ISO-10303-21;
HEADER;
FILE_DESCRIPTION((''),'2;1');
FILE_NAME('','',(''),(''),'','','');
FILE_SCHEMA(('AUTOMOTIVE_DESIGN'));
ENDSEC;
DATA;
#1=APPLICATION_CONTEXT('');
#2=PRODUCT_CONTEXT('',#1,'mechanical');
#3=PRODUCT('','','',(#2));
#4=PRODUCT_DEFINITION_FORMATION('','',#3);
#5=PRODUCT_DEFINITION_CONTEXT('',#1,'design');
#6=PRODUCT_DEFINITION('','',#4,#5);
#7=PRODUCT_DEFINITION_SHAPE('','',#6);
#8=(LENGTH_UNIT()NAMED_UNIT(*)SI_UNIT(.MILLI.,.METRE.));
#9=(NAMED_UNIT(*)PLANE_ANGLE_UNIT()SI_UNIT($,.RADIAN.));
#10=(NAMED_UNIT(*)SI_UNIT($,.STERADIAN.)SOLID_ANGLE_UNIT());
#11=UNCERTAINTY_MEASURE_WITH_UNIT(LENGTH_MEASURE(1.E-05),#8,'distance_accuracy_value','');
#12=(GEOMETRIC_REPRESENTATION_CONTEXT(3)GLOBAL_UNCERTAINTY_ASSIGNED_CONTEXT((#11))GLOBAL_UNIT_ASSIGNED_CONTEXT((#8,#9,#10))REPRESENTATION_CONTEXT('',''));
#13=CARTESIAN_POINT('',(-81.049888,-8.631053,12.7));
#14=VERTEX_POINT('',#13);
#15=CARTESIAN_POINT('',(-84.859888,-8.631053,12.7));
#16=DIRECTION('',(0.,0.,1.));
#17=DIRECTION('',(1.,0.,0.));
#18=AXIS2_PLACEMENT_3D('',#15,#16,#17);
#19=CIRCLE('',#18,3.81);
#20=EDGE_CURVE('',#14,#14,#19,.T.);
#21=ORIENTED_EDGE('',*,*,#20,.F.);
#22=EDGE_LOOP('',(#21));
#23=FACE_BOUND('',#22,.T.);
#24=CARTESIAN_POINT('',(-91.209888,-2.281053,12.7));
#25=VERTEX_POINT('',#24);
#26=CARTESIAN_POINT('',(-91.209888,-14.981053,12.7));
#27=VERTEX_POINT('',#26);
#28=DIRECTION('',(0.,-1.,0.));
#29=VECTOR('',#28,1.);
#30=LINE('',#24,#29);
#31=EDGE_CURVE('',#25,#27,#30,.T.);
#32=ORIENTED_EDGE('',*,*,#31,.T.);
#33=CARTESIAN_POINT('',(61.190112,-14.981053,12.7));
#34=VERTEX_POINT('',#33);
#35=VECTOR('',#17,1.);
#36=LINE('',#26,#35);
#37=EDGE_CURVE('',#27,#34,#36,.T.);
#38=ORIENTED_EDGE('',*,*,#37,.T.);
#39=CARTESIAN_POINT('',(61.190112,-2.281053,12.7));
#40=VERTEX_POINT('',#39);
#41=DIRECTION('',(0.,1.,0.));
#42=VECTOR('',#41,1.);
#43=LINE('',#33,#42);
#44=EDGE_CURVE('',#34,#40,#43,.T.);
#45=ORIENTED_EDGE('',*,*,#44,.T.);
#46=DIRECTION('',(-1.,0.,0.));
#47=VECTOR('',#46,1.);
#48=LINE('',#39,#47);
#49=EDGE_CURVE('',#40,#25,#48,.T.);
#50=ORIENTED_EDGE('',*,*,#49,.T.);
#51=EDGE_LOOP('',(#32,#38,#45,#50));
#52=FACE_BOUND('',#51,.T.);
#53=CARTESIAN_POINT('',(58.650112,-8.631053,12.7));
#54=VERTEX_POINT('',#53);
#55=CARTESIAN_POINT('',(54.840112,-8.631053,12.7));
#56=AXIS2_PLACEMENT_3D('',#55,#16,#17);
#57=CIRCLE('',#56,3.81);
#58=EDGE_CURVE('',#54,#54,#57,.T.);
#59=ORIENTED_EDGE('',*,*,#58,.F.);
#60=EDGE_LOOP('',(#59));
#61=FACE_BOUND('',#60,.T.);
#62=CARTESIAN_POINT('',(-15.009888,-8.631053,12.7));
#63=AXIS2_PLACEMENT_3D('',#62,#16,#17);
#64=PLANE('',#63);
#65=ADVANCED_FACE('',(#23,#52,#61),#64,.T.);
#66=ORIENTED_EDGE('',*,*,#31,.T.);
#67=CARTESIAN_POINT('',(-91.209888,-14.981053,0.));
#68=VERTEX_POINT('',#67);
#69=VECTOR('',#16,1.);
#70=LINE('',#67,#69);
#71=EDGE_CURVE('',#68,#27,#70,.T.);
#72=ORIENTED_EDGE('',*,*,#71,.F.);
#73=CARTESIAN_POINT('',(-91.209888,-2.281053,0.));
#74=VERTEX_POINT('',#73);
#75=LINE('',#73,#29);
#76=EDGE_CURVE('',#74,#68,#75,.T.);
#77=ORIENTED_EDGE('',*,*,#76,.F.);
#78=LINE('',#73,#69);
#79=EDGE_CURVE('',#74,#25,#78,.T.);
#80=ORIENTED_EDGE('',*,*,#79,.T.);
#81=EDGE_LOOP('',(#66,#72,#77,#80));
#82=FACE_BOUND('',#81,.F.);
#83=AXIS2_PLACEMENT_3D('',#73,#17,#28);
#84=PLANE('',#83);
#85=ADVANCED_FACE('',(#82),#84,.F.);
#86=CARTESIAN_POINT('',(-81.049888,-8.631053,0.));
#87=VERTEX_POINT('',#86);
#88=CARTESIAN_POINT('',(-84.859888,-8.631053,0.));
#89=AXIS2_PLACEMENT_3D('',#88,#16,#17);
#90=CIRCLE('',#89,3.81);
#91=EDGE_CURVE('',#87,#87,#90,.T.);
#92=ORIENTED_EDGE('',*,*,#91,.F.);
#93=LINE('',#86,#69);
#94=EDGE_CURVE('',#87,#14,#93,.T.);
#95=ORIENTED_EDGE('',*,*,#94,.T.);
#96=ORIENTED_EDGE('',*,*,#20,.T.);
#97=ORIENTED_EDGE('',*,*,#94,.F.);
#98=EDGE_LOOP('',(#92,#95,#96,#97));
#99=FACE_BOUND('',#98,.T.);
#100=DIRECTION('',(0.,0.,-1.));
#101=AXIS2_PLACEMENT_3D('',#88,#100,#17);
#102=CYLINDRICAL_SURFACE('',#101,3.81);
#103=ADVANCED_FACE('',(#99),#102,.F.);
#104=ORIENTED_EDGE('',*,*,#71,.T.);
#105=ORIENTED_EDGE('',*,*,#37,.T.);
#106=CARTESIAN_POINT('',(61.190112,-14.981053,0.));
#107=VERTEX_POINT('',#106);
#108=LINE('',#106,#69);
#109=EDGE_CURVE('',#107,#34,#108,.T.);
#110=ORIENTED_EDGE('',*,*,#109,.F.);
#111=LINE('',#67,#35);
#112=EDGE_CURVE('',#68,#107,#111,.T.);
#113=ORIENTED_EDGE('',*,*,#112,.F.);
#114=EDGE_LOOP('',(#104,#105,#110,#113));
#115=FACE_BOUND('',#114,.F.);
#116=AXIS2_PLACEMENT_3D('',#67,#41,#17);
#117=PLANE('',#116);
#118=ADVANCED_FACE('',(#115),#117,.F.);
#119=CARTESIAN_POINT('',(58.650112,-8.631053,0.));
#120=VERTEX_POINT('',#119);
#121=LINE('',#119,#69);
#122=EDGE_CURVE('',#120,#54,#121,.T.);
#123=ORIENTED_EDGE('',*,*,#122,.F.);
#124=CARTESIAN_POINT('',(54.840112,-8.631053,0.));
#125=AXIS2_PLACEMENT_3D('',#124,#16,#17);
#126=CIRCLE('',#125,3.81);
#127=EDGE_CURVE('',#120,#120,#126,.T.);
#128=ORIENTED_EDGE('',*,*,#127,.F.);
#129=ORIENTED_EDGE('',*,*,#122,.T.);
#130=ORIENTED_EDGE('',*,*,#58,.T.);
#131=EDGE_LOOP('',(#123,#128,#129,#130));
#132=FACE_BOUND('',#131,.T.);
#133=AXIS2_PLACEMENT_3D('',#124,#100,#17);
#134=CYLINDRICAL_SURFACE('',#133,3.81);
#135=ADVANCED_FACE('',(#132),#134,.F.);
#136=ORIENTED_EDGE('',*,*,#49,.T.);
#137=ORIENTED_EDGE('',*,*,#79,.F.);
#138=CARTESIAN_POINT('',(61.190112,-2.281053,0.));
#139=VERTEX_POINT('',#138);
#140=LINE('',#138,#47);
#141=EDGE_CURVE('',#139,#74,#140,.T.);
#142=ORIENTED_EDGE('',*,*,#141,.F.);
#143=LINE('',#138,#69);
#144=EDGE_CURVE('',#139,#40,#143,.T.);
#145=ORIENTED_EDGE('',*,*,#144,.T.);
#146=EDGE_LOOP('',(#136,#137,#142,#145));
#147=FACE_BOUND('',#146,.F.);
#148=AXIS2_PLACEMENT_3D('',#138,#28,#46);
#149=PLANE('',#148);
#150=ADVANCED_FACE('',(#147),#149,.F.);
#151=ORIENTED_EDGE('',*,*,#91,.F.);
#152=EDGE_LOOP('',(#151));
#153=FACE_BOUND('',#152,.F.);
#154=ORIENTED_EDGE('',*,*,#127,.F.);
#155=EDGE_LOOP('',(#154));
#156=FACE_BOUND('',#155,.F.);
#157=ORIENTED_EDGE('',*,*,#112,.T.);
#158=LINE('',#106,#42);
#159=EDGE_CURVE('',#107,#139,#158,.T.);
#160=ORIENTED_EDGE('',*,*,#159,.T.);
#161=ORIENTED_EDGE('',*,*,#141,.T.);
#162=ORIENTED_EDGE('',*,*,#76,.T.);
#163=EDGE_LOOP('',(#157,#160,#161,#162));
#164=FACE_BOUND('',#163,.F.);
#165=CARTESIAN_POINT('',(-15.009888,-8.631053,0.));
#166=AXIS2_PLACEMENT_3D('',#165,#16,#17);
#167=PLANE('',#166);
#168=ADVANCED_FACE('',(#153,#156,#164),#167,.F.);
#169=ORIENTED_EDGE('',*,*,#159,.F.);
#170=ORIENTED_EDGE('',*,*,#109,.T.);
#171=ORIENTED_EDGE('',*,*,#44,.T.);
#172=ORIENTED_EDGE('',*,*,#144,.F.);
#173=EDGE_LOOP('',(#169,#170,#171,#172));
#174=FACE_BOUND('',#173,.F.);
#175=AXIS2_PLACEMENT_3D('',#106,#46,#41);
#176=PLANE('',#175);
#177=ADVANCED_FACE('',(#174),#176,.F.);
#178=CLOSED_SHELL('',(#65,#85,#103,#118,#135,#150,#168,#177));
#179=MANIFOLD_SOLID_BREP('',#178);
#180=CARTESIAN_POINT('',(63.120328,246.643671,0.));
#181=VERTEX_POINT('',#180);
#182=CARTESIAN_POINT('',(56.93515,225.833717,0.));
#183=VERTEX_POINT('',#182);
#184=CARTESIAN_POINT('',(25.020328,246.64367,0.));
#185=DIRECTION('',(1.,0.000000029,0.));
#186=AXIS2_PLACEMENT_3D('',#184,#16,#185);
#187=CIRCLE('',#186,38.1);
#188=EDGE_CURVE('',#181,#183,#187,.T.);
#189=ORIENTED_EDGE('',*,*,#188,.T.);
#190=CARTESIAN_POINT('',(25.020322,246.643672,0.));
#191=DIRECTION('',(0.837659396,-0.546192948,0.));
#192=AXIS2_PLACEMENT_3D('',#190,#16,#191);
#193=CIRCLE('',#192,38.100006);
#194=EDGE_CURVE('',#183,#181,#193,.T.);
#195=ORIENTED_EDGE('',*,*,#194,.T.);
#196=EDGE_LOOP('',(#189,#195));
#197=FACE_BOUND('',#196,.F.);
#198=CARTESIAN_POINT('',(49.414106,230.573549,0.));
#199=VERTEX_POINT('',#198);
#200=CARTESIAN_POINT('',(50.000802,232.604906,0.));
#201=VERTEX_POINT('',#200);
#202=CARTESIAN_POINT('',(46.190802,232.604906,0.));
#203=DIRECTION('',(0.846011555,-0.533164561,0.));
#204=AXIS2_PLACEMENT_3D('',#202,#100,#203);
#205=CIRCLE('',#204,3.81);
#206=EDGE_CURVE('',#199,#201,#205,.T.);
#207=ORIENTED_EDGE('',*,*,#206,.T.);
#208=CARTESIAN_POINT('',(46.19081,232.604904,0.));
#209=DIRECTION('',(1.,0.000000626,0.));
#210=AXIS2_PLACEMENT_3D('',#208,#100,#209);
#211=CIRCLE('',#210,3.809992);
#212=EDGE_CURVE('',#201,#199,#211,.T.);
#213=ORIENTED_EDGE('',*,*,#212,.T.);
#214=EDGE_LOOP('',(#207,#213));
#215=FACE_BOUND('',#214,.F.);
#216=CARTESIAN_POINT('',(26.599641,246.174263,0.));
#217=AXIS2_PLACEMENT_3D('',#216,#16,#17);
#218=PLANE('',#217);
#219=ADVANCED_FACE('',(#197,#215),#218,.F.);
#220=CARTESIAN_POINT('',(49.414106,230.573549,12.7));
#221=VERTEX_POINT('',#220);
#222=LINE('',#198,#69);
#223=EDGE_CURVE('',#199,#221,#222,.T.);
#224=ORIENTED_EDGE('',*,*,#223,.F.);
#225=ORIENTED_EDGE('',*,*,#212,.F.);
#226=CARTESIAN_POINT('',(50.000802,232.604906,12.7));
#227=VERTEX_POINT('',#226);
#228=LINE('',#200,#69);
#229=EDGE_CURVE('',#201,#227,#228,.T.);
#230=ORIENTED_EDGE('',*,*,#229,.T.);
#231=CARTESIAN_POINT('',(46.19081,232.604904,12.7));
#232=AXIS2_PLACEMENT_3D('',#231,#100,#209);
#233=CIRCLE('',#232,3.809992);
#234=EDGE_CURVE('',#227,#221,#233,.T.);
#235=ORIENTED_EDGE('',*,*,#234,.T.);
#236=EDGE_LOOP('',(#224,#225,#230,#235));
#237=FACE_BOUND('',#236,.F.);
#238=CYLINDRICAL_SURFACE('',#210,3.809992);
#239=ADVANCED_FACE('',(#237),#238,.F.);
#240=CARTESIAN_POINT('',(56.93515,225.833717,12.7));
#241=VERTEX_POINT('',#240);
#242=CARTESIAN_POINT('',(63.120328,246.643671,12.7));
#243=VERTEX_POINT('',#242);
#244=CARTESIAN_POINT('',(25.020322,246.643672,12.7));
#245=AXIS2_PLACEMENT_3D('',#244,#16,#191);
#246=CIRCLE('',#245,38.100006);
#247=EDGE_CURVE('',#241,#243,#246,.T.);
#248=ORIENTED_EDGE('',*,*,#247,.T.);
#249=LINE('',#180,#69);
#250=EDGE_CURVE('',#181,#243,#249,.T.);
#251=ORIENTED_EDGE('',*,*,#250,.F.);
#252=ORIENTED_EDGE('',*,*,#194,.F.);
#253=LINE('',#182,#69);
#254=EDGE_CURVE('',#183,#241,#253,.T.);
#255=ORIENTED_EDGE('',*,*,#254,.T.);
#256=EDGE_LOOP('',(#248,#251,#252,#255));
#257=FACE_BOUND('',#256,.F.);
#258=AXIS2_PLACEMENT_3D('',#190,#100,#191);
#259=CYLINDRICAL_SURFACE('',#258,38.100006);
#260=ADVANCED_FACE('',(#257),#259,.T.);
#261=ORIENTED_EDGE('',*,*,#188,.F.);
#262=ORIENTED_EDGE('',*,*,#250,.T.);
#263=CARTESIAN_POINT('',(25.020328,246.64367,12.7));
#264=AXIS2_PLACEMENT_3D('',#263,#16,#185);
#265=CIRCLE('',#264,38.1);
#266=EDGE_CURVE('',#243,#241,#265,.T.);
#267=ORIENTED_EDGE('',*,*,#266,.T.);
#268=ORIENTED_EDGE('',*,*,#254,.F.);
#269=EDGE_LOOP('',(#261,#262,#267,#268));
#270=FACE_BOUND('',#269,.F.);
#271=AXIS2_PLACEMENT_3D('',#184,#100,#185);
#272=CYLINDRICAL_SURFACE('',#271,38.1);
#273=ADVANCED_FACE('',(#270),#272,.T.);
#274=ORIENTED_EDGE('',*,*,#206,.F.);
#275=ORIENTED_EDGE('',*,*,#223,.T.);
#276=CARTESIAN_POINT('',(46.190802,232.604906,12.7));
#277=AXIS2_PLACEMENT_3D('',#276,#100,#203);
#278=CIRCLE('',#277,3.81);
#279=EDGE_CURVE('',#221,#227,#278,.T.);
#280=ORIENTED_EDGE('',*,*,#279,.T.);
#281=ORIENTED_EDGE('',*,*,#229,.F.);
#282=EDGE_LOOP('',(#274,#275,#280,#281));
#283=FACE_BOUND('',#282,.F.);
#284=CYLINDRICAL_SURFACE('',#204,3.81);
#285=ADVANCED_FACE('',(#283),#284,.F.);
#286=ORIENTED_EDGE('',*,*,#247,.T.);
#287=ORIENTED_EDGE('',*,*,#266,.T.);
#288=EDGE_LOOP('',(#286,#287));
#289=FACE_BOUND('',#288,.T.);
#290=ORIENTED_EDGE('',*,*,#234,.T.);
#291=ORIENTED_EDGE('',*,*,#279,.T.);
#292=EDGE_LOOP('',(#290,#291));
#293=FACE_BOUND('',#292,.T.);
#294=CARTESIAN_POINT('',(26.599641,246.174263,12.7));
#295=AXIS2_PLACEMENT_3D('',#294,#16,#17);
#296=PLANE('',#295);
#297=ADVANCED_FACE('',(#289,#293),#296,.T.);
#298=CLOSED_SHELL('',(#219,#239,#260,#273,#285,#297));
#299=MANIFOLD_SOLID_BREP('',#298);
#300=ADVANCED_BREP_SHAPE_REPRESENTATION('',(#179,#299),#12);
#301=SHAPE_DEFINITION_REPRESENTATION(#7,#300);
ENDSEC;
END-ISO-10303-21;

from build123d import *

# Parameters (mm, degrees)
F0_R     = 3.81
F1_DEPTH = 12.7
F3_DEPTH = 12.7


with BuildPart() as f1:
    # F0 (on Top) → F1 (new body)
    with BuildSketch(Plane.XY):
        Polygon((-78.509888, -2.281053), (-91.209888, -2.281053), (-91.209888, -14.981053), (-78.509888, -14.981053), (48.490112, -14.981053), (61.190112, -14.981053), (61.190112, -2.281053), (48.490112, -2.281053), align=None)
        with Locations((54.840112, -8.631053)):
            Circle(F0_R, mode=Mode.SUBTRACT)
        with Locations((-84.859888, -8.631053)):
            Circle(F0_R, mode=Mode.SUBTRACT)
    extrude(amount=F1_DEPTH)


with BuildPart() as f3:
    # F2 (on Top) → F3 (new body)
    with BuildSketch(Plane.XY):
        with BuildLine():
            ThreePointArc((56.93515, 225.833717), (61.541313, 235.788826), (63.120328, 246.643671))
            ThreePointArc((63.120328, 246.643671), (-11.500657, 257.498516), (56.93515, 225.833717))
        make_face()
        with BuildLine():
            ThreePointArc((50.000802, 232.604906), (49.851191, 231.547714), (49.414106, 230.573549))
            ThreePointArc((49.414106, 230.573549), (42.530413, 233.662098), (50.000802, 232.604906))
        make_face(mode=Mode.SUBTRACT)
    extrude(amount=F3_DEPTH)


solid = Compound([f1.part, f3.part])
